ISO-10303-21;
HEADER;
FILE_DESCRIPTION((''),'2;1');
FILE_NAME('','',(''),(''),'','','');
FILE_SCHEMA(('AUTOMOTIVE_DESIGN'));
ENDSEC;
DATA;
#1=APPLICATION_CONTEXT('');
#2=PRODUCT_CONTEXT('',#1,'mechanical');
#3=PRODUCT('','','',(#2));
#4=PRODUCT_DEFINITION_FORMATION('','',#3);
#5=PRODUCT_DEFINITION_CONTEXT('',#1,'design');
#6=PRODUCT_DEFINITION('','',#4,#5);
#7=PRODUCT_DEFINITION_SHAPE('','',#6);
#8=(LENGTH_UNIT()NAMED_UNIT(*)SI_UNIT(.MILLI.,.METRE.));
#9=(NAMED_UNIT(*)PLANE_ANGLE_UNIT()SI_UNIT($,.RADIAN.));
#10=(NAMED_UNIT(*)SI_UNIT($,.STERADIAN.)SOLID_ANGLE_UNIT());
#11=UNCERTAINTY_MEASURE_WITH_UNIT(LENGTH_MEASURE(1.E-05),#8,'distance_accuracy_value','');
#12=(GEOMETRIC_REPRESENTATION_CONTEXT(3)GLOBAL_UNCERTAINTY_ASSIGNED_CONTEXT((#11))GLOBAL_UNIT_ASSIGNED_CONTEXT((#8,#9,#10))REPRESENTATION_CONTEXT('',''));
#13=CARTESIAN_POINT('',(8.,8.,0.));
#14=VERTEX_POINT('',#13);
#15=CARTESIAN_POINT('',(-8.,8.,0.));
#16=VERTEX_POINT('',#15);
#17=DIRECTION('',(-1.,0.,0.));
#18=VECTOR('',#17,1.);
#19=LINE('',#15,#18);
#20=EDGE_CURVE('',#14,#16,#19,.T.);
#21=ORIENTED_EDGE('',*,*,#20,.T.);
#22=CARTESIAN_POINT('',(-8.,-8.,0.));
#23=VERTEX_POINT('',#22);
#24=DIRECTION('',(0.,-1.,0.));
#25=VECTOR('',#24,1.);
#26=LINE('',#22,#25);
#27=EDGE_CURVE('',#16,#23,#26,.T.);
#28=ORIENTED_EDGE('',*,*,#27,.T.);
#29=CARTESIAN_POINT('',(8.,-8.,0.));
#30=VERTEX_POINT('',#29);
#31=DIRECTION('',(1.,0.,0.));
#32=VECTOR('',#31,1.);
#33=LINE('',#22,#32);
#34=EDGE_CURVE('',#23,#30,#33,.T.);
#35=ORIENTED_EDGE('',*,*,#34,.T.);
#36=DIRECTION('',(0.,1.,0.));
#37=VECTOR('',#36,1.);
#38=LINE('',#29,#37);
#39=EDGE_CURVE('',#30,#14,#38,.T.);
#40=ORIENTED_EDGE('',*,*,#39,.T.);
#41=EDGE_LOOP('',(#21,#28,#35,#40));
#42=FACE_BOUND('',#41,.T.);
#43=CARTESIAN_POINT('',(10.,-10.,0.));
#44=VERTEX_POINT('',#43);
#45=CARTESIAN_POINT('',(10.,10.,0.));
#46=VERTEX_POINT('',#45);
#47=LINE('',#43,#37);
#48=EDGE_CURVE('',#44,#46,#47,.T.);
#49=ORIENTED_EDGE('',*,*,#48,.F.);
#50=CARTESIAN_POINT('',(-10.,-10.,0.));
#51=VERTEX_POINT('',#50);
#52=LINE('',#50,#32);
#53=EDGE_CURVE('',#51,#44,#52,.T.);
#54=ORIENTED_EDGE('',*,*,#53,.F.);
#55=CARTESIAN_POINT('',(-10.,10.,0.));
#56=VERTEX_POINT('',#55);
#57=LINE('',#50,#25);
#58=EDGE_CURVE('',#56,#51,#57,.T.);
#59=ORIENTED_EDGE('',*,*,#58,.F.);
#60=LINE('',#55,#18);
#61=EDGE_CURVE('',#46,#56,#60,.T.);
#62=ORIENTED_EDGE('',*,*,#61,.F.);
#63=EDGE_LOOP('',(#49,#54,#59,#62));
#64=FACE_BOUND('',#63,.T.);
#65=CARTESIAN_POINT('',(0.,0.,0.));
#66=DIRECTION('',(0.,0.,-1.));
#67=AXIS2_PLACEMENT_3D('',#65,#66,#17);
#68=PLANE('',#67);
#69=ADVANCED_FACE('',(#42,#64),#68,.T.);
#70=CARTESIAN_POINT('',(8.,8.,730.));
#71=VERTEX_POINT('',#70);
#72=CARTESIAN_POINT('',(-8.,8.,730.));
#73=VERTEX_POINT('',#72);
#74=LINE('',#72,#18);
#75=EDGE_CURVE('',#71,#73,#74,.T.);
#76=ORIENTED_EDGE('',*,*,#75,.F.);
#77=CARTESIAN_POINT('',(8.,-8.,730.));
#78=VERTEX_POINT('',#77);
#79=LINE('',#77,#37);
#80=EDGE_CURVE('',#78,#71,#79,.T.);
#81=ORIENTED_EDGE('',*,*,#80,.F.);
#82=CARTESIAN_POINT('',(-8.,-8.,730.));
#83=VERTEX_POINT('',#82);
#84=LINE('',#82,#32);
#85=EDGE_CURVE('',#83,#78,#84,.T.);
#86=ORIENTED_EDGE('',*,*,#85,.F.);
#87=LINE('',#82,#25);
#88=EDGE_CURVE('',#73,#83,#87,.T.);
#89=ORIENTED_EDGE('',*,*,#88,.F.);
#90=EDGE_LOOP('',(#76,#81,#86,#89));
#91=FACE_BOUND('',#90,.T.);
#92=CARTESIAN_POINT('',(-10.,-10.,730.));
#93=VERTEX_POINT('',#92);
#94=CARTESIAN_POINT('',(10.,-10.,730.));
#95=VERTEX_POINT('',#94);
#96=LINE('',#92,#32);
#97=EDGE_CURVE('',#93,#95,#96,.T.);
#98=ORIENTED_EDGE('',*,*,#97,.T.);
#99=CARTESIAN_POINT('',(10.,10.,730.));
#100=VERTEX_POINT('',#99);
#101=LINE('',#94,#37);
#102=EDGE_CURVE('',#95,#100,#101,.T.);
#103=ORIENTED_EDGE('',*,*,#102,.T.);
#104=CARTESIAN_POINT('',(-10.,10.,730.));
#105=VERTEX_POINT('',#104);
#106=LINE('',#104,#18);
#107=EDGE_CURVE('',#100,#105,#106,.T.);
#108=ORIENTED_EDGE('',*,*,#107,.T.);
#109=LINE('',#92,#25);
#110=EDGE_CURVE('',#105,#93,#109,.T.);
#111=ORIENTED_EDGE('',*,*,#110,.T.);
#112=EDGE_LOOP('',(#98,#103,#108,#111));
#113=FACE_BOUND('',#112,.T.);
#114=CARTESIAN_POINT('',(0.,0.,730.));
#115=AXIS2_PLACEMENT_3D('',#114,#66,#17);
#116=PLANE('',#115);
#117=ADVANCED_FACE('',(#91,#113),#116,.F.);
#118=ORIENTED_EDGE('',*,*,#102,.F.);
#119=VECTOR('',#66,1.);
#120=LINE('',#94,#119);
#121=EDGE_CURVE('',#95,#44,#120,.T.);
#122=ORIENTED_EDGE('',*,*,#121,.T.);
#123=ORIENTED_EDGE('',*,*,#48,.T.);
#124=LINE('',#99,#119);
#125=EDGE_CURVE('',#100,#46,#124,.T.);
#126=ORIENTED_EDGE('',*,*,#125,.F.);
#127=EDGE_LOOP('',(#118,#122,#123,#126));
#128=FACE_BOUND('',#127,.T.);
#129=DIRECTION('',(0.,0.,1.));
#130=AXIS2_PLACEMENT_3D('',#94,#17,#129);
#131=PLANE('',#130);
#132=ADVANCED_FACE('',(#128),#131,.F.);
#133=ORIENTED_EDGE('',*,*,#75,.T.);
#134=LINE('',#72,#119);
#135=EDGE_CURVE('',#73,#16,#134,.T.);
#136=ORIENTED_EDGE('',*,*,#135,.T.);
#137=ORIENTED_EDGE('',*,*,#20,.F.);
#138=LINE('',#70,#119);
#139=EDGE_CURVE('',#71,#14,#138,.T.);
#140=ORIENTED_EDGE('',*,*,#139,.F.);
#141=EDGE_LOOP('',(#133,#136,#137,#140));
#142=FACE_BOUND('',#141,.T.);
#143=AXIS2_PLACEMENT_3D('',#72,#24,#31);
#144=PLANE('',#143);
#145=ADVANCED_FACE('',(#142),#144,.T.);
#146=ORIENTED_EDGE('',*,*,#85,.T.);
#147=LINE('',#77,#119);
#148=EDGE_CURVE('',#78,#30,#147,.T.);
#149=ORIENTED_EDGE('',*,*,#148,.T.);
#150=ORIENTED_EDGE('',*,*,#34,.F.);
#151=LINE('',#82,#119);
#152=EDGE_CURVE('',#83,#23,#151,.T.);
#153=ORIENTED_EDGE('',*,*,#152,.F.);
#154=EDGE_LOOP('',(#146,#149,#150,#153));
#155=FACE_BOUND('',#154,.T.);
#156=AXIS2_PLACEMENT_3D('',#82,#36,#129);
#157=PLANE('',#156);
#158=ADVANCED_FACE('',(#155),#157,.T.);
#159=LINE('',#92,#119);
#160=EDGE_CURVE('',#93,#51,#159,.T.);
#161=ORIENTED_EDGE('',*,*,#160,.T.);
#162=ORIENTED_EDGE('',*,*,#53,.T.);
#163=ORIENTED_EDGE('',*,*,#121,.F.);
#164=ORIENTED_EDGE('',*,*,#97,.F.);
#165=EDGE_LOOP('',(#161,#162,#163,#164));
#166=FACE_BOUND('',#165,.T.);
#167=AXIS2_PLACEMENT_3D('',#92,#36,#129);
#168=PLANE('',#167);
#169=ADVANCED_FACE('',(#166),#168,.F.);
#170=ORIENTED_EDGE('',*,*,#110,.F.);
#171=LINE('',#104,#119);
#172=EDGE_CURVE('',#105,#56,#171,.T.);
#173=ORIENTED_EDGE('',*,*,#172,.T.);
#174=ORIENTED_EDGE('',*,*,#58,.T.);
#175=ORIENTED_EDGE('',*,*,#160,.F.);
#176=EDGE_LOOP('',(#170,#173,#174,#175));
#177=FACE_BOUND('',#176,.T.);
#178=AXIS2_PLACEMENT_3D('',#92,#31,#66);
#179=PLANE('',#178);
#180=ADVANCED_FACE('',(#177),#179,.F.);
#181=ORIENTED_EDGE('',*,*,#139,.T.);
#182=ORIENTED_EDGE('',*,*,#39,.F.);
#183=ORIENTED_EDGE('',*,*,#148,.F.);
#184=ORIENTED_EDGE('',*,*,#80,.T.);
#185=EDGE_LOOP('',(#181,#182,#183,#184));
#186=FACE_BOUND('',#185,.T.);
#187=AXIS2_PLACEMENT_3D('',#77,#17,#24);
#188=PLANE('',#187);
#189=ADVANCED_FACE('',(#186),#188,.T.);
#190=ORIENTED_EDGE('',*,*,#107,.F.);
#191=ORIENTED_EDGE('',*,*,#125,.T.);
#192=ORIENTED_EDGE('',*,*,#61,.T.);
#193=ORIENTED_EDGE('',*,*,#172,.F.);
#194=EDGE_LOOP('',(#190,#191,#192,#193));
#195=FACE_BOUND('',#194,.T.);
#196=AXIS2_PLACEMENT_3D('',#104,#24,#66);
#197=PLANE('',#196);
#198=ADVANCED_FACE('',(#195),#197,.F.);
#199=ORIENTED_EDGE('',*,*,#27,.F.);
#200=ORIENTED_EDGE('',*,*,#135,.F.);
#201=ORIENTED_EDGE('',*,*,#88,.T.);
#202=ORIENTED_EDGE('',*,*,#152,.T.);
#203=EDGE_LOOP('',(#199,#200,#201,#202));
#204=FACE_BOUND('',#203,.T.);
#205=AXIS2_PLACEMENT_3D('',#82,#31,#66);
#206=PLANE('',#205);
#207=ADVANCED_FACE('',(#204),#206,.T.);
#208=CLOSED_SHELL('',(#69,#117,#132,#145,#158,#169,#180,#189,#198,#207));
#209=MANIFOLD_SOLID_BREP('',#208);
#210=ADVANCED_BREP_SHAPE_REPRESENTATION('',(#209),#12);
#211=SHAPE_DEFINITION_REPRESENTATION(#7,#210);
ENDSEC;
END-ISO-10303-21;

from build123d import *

# Parameters (mm, degrees)
SKETCH1_W           = 20
SKETCH1_H           = 20
SKETCH1_W_2         = 16
SKETCH1_H_2         = 16
BOSS_EXTRUDE1_DEPTH = 730


with BuildPart() as part:
    # Sketch1 → Boss-Extrude1 (new body)
    with BuildSketch(Plane.XY):
        Rectangle(SKETCH1_W, SKETCH1_H)
        Rectangle(SKETCH1_W_2, SKETCH1_H_2, mode=Mode.SUBTRACT)
    extrude(amount=BOSS_EXTRUDE1_DEPTH)


solid = part.part
